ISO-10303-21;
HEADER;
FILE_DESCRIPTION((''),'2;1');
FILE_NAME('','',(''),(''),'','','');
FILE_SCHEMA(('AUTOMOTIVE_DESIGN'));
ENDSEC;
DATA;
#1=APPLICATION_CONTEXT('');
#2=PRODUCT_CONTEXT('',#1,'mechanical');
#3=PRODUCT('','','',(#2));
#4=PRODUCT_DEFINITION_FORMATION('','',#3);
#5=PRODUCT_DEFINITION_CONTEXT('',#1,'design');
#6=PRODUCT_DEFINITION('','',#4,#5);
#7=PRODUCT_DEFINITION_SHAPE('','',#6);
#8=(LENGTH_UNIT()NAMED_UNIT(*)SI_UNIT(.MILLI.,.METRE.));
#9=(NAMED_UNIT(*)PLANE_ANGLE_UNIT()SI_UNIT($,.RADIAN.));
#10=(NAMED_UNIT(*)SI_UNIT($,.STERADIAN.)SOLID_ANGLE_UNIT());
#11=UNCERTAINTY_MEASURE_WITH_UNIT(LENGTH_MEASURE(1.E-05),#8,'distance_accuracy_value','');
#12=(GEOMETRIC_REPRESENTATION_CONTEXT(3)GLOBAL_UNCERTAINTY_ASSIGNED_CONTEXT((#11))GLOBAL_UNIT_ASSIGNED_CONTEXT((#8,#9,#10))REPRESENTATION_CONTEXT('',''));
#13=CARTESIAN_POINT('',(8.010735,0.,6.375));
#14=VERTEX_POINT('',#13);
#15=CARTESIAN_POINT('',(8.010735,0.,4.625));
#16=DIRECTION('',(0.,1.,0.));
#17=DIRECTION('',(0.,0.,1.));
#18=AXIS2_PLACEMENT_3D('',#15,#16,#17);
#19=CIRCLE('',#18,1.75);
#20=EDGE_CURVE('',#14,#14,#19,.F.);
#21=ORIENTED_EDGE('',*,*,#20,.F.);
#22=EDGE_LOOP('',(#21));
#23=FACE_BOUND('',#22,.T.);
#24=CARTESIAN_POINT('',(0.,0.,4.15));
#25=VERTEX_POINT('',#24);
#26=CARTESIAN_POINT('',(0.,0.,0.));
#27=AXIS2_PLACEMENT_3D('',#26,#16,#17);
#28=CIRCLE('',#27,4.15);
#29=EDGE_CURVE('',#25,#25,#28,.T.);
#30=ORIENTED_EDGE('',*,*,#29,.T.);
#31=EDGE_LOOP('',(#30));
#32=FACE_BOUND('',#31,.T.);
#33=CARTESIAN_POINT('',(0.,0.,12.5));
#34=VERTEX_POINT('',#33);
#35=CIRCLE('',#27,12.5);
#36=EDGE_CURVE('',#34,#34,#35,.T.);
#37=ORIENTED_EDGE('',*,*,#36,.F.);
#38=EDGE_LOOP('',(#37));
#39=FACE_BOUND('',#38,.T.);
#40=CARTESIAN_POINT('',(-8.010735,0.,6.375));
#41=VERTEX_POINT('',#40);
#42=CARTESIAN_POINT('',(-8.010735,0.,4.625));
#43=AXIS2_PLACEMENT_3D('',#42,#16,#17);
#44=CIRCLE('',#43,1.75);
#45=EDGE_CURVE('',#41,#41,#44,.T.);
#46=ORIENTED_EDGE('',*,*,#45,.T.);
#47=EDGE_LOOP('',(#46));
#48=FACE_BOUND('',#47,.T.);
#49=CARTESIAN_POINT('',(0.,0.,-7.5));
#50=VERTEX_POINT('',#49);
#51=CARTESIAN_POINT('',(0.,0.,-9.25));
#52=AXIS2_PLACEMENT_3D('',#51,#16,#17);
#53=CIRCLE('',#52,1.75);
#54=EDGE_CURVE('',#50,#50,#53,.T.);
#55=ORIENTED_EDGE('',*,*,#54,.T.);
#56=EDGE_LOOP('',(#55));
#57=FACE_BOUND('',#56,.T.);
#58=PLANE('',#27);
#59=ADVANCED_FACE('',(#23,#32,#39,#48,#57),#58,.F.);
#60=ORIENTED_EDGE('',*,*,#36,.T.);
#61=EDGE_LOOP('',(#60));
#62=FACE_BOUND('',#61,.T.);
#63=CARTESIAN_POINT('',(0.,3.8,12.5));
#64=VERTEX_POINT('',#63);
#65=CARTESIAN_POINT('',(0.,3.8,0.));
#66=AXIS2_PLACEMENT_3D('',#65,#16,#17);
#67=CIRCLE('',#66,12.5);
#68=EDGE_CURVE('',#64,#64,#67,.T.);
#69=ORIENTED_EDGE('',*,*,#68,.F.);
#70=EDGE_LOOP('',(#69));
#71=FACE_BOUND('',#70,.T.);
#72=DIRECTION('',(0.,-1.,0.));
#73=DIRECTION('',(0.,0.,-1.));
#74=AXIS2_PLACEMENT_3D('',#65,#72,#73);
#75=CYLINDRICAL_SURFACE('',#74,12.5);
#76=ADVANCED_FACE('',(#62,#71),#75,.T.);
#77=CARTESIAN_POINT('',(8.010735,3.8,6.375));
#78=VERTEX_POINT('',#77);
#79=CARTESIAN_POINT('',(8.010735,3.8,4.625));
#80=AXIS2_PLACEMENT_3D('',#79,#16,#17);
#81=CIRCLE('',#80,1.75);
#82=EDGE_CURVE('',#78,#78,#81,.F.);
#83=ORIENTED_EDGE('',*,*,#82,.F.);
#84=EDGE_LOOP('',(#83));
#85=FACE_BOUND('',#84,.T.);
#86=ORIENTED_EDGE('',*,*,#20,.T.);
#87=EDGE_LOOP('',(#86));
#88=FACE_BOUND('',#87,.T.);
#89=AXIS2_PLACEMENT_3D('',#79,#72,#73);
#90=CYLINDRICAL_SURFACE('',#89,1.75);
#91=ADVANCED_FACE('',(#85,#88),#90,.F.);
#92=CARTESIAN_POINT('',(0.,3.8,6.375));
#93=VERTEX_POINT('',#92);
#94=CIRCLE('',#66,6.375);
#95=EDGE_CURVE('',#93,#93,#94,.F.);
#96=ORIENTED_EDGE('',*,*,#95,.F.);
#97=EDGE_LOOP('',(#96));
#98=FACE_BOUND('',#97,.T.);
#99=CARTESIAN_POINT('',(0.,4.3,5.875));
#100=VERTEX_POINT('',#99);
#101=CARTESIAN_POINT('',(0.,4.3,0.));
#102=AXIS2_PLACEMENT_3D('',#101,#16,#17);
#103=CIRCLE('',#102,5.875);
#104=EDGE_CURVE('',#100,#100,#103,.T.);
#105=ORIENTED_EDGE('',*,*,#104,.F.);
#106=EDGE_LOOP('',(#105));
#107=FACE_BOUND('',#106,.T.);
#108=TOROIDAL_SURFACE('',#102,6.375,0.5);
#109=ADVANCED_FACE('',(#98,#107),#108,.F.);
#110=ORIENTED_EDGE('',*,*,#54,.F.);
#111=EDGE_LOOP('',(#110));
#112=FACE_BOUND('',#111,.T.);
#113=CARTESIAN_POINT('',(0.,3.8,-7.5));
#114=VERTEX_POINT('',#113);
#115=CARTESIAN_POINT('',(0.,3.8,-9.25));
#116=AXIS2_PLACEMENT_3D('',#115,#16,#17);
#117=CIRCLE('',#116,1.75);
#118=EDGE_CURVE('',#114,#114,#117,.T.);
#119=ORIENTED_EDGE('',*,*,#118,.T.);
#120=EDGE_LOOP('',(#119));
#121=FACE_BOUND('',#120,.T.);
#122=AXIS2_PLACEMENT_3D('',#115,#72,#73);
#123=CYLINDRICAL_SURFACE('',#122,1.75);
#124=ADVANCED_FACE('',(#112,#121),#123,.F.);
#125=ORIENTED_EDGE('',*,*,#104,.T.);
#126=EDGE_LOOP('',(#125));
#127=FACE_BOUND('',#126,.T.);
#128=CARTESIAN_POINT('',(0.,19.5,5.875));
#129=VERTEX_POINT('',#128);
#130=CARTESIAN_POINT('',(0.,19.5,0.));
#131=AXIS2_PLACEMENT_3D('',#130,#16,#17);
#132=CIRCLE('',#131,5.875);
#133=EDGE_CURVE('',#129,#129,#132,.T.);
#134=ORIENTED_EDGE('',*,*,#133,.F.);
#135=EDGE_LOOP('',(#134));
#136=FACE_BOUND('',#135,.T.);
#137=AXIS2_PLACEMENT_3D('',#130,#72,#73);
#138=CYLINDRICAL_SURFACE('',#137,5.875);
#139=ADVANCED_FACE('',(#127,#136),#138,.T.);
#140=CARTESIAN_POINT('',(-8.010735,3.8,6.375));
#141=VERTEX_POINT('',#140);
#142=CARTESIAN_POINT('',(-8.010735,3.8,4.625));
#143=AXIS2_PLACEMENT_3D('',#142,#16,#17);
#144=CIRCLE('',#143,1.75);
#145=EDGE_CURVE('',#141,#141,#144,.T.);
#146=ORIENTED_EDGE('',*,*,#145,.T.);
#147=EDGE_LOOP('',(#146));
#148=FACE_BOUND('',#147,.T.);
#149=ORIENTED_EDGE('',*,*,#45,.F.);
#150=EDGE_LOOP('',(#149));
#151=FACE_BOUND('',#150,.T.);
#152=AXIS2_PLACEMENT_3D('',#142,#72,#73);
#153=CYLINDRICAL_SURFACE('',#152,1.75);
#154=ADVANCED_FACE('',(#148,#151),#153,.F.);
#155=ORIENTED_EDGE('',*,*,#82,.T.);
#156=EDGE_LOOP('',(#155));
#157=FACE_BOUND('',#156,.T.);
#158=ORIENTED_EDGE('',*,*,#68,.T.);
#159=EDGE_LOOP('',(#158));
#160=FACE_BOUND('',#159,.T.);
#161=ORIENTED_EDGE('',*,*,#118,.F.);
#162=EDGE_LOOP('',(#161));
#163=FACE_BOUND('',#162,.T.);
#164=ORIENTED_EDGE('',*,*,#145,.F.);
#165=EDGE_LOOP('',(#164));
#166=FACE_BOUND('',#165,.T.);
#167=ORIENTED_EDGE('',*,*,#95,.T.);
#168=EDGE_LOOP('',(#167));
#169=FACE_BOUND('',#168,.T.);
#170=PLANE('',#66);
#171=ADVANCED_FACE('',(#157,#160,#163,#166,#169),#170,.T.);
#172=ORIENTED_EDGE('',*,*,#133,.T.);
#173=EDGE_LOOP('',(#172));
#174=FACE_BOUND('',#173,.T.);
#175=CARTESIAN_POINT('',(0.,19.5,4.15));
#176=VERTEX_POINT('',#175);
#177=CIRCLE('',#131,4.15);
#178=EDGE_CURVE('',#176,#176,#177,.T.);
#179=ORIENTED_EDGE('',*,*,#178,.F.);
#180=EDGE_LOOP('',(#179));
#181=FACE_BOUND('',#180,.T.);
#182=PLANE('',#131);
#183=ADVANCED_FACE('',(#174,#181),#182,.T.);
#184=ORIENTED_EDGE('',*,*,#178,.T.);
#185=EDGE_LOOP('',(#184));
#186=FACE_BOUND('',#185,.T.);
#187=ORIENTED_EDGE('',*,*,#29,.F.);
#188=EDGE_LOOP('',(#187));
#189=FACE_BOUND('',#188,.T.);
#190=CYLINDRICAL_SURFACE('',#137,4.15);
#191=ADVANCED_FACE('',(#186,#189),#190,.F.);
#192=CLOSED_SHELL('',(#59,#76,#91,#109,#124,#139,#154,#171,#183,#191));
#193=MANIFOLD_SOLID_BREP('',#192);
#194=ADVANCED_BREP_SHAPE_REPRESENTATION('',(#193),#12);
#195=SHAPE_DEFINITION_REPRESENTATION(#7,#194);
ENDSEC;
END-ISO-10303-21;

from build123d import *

# Parameters (mm, degrees)
ESBO_O1_R                = 12.5
ESBO_O1_R_2              = 1.75
ESBO_O1_R_3              = 5.875
RESSALTO_EXTRUS_O1_DEPTH = 3.8
ESBO_O1_3_R              = 5.875
ESBO_O1_3_R_2            = 4.15
RESSALTO_EXTRUS_O2_DEPTH = 19.5
FILETE1_R                = 0.5


with BuildPart() as part:
    # Esboço1 → Ressalto-extrusão1 (new body)
    with BuildSketch(Plane(origin=(0, 0, 0), x_dir=(1, 0, 0), z_dir=(0, 1, 0))):
        Circle(ESBO_O1_R)
        with Locations((-8.010734985, -4.625)):
            Circle(ESBO_O1_R_2, mode=Mode.SUBTRACT)
        with Locations((8.010734985, -4.625)):
            Circle(ESBO_O1_R_2, mode=Mode.SUBTRACT)
        Circle(ESBO_O1_R_3, mode=Mode.SUBTRACT)
        with Locations((0, 9.25)):
            Circle(ESBO_O1_R_2, mode=Mode.SUBTRACT)
    extrude(amount=RESSALTO_EXTRUS_O1_DEPTH)

    # Esboço1<3> → Ressalto-extrusão2 (add)
    with BuildSketch(Plane(origin=(0, 0, 0), x_dir=(1, 0, 0), z_dir=(0, 1, 0))):
        Circle(ESBO_O1_3_R)
        Circle(ESBO_O1_3_R_2, mode=Mode.SUBTRACT)
    extrude(amount=RESSALTO_EXTRUS_O2_DEPTH)

    # Filete1
    filete1_edges = [part.edges().sort_by_distance(p)[0] for p in [
        (-5.875, 3.8, 0),
    ]]
    fillet(filete1_edges, radius=FILETE1_R)


solid = part.part
